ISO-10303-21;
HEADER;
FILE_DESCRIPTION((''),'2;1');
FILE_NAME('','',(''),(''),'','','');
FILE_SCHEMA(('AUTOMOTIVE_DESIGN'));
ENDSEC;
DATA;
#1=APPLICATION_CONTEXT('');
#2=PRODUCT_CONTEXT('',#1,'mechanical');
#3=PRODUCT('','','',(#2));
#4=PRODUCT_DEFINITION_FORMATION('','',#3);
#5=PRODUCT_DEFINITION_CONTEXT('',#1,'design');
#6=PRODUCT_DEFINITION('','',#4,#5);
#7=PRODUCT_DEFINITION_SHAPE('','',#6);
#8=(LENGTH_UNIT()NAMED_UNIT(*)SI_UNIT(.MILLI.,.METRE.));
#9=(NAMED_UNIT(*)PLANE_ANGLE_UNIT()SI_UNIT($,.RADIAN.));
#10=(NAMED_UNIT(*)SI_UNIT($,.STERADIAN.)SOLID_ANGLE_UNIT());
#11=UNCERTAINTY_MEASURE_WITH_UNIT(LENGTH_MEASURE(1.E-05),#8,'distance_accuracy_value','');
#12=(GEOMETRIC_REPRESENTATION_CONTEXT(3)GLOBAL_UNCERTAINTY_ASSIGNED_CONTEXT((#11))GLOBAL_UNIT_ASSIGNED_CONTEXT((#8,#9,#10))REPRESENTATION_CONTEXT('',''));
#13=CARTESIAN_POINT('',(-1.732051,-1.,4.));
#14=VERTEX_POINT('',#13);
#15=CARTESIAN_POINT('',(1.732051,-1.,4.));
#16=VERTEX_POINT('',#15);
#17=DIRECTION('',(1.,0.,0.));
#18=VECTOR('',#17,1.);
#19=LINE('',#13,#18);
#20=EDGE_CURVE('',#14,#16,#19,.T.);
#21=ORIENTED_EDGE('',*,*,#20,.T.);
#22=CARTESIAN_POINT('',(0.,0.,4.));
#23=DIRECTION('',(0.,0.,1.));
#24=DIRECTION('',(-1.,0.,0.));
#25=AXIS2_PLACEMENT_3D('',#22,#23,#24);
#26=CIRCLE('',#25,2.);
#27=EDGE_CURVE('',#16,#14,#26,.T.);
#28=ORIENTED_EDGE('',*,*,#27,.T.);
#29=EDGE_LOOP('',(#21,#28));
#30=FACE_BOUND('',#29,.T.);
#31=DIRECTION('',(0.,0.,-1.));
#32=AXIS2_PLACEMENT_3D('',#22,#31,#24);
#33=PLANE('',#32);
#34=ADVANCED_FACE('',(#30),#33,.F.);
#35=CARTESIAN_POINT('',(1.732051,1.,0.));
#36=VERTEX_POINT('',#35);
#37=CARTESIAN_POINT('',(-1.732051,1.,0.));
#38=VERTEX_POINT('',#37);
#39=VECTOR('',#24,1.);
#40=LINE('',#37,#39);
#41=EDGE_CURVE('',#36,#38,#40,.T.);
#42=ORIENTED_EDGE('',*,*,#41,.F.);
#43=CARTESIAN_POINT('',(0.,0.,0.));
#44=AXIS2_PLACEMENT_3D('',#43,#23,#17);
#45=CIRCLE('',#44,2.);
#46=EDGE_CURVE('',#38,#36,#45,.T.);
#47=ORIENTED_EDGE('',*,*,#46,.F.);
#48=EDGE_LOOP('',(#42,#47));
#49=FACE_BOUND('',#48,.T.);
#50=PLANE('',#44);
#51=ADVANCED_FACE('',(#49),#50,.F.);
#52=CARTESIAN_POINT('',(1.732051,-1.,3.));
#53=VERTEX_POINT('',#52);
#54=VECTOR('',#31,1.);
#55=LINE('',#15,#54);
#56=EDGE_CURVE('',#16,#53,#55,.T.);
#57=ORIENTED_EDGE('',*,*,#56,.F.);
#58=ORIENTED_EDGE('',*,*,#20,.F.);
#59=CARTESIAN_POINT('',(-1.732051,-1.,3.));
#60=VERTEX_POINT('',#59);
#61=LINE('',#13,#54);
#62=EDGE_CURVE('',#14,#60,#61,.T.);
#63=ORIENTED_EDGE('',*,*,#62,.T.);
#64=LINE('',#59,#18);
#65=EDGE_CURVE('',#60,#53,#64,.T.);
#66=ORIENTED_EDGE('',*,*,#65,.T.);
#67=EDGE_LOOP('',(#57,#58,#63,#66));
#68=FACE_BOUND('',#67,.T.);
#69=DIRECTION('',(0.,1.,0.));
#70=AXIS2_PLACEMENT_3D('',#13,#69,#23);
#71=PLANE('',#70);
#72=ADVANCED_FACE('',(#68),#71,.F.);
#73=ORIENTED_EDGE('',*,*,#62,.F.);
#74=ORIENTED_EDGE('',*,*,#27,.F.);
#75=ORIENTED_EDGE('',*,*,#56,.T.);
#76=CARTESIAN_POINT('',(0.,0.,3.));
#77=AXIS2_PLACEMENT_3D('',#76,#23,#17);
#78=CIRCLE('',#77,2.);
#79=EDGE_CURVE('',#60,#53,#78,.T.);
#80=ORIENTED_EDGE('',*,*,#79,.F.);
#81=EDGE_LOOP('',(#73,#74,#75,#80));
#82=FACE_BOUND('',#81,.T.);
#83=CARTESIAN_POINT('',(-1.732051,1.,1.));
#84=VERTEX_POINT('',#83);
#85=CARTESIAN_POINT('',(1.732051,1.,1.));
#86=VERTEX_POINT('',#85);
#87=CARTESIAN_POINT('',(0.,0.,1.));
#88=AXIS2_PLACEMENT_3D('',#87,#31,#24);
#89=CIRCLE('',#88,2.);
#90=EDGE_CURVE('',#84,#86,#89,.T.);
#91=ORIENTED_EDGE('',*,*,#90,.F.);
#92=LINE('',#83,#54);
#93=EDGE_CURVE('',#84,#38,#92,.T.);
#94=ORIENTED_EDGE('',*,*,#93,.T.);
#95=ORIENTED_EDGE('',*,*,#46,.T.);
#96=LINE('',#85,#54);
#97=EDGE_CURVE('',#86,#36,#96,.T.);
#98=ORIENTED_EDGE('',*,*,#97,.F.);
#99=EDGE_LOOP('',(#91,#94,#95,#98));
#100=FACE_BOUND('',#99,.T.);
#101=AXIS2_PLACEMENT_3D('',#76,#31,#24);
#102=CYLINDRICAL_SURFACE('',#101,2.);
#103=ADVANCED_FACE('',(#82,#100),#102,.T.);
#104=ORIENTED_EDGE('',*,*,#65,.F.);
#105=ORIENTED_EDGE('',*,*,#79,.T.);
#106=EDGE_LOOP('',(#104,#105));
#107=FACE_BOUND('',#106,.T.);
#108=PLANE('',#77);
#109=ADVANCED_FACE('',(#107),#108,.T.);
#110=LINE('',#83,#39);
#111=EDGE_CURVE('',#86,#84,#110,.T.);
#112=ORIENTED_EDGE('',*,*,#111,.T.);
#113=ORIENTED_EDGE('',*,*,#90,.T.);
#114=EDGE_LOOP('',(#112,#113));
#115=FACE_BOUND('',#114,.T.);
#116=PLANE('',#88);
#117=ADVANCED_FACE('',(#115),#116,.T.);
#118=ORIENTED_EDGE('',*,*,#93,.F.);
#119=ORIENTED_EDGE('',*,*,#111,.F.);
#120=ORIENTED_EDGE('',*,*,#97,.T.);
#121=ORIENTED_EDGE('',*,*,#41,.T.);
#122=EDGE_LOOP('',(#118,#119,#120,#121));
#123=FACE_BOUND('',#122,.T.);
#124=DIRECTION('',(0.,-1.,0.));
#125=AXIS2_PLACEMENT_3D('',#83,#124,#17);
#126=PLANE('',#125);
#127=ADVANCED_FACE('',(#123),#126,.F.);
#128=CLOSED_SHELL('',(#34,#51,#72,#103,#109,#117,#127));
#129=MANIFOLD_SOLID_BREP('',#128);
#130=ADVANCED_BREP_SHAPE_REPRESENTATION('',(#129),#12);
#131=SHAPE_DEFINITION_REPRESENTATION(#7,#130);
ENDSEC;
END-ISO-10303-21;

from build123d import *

# Parameters (mm, degrees)
SKETCH1_R           = 2
BOSS_EXTRUDE1_DEPTH = 3
BOSS_EXTRUDE2_DEPTH = 1
CUT_EXTRUDE1_DEPTH  = 1
BOSS_EXTRUDE3_DEPTH = 1


with BuildPart() as part:
    # Sketch1 → Boss-Extrude1 (new body)
    with BuildSketch(Plane.XY):
        Circle(SKETCH1_R)
    extrude(amount=BOSS_EXTRUDE1_DEPTH)

    # Sketch2 → Boss-Extrude2 (add)
    with BuildSketch(Plane.XY.offset(3)):
        with BuildLine():
            Line((-1.732050808, 1), (1.732050808, 1))
            ThreePointArc((1.732050808, 1), (0, 2), (-1.732050808, 1))
        make_face()
    extrude(amount=BOSS_EXTRUDE2_DEPTH)

    # Sketch3 → Cut-Extrude1 (cut)
    with BuildSketch(Plane(origin=(0, 0, 0), x_dir=(-1, 0, 0), z_dir=(0, 0, -1))):
        with BuildLine():
            Line((1.732050808, 1), (-1.732050808, 1))
            ThreePointArc((-1.732050808, 1), (0, 2), (1.732050808, 1))
        make_face()
    extrude(amount=-CUT_EXTRUDE1_DEPTH, mode=Mode.SUBTRACT)

    # Sketch4 → Boss-Extrude3 (add)
    with BuildSketch(Plane.XY.offset(3)):
        with BuildLine():
            Line((-1.732050808, -1), (1.732050808, -1))
            ThreePointArc((1.732050808, -1), (2, 0), (1.732050808, 1))
            Line((1.732050808, 1), (-1.732050808, 1))
            ThreePointArc((-1.732050808, 1), (-2, 0), (-1.732050808, -1))
        make_face()
    extrude(amount=BOSS_EXTRUDE3_DEPTH)


solid = part.part
